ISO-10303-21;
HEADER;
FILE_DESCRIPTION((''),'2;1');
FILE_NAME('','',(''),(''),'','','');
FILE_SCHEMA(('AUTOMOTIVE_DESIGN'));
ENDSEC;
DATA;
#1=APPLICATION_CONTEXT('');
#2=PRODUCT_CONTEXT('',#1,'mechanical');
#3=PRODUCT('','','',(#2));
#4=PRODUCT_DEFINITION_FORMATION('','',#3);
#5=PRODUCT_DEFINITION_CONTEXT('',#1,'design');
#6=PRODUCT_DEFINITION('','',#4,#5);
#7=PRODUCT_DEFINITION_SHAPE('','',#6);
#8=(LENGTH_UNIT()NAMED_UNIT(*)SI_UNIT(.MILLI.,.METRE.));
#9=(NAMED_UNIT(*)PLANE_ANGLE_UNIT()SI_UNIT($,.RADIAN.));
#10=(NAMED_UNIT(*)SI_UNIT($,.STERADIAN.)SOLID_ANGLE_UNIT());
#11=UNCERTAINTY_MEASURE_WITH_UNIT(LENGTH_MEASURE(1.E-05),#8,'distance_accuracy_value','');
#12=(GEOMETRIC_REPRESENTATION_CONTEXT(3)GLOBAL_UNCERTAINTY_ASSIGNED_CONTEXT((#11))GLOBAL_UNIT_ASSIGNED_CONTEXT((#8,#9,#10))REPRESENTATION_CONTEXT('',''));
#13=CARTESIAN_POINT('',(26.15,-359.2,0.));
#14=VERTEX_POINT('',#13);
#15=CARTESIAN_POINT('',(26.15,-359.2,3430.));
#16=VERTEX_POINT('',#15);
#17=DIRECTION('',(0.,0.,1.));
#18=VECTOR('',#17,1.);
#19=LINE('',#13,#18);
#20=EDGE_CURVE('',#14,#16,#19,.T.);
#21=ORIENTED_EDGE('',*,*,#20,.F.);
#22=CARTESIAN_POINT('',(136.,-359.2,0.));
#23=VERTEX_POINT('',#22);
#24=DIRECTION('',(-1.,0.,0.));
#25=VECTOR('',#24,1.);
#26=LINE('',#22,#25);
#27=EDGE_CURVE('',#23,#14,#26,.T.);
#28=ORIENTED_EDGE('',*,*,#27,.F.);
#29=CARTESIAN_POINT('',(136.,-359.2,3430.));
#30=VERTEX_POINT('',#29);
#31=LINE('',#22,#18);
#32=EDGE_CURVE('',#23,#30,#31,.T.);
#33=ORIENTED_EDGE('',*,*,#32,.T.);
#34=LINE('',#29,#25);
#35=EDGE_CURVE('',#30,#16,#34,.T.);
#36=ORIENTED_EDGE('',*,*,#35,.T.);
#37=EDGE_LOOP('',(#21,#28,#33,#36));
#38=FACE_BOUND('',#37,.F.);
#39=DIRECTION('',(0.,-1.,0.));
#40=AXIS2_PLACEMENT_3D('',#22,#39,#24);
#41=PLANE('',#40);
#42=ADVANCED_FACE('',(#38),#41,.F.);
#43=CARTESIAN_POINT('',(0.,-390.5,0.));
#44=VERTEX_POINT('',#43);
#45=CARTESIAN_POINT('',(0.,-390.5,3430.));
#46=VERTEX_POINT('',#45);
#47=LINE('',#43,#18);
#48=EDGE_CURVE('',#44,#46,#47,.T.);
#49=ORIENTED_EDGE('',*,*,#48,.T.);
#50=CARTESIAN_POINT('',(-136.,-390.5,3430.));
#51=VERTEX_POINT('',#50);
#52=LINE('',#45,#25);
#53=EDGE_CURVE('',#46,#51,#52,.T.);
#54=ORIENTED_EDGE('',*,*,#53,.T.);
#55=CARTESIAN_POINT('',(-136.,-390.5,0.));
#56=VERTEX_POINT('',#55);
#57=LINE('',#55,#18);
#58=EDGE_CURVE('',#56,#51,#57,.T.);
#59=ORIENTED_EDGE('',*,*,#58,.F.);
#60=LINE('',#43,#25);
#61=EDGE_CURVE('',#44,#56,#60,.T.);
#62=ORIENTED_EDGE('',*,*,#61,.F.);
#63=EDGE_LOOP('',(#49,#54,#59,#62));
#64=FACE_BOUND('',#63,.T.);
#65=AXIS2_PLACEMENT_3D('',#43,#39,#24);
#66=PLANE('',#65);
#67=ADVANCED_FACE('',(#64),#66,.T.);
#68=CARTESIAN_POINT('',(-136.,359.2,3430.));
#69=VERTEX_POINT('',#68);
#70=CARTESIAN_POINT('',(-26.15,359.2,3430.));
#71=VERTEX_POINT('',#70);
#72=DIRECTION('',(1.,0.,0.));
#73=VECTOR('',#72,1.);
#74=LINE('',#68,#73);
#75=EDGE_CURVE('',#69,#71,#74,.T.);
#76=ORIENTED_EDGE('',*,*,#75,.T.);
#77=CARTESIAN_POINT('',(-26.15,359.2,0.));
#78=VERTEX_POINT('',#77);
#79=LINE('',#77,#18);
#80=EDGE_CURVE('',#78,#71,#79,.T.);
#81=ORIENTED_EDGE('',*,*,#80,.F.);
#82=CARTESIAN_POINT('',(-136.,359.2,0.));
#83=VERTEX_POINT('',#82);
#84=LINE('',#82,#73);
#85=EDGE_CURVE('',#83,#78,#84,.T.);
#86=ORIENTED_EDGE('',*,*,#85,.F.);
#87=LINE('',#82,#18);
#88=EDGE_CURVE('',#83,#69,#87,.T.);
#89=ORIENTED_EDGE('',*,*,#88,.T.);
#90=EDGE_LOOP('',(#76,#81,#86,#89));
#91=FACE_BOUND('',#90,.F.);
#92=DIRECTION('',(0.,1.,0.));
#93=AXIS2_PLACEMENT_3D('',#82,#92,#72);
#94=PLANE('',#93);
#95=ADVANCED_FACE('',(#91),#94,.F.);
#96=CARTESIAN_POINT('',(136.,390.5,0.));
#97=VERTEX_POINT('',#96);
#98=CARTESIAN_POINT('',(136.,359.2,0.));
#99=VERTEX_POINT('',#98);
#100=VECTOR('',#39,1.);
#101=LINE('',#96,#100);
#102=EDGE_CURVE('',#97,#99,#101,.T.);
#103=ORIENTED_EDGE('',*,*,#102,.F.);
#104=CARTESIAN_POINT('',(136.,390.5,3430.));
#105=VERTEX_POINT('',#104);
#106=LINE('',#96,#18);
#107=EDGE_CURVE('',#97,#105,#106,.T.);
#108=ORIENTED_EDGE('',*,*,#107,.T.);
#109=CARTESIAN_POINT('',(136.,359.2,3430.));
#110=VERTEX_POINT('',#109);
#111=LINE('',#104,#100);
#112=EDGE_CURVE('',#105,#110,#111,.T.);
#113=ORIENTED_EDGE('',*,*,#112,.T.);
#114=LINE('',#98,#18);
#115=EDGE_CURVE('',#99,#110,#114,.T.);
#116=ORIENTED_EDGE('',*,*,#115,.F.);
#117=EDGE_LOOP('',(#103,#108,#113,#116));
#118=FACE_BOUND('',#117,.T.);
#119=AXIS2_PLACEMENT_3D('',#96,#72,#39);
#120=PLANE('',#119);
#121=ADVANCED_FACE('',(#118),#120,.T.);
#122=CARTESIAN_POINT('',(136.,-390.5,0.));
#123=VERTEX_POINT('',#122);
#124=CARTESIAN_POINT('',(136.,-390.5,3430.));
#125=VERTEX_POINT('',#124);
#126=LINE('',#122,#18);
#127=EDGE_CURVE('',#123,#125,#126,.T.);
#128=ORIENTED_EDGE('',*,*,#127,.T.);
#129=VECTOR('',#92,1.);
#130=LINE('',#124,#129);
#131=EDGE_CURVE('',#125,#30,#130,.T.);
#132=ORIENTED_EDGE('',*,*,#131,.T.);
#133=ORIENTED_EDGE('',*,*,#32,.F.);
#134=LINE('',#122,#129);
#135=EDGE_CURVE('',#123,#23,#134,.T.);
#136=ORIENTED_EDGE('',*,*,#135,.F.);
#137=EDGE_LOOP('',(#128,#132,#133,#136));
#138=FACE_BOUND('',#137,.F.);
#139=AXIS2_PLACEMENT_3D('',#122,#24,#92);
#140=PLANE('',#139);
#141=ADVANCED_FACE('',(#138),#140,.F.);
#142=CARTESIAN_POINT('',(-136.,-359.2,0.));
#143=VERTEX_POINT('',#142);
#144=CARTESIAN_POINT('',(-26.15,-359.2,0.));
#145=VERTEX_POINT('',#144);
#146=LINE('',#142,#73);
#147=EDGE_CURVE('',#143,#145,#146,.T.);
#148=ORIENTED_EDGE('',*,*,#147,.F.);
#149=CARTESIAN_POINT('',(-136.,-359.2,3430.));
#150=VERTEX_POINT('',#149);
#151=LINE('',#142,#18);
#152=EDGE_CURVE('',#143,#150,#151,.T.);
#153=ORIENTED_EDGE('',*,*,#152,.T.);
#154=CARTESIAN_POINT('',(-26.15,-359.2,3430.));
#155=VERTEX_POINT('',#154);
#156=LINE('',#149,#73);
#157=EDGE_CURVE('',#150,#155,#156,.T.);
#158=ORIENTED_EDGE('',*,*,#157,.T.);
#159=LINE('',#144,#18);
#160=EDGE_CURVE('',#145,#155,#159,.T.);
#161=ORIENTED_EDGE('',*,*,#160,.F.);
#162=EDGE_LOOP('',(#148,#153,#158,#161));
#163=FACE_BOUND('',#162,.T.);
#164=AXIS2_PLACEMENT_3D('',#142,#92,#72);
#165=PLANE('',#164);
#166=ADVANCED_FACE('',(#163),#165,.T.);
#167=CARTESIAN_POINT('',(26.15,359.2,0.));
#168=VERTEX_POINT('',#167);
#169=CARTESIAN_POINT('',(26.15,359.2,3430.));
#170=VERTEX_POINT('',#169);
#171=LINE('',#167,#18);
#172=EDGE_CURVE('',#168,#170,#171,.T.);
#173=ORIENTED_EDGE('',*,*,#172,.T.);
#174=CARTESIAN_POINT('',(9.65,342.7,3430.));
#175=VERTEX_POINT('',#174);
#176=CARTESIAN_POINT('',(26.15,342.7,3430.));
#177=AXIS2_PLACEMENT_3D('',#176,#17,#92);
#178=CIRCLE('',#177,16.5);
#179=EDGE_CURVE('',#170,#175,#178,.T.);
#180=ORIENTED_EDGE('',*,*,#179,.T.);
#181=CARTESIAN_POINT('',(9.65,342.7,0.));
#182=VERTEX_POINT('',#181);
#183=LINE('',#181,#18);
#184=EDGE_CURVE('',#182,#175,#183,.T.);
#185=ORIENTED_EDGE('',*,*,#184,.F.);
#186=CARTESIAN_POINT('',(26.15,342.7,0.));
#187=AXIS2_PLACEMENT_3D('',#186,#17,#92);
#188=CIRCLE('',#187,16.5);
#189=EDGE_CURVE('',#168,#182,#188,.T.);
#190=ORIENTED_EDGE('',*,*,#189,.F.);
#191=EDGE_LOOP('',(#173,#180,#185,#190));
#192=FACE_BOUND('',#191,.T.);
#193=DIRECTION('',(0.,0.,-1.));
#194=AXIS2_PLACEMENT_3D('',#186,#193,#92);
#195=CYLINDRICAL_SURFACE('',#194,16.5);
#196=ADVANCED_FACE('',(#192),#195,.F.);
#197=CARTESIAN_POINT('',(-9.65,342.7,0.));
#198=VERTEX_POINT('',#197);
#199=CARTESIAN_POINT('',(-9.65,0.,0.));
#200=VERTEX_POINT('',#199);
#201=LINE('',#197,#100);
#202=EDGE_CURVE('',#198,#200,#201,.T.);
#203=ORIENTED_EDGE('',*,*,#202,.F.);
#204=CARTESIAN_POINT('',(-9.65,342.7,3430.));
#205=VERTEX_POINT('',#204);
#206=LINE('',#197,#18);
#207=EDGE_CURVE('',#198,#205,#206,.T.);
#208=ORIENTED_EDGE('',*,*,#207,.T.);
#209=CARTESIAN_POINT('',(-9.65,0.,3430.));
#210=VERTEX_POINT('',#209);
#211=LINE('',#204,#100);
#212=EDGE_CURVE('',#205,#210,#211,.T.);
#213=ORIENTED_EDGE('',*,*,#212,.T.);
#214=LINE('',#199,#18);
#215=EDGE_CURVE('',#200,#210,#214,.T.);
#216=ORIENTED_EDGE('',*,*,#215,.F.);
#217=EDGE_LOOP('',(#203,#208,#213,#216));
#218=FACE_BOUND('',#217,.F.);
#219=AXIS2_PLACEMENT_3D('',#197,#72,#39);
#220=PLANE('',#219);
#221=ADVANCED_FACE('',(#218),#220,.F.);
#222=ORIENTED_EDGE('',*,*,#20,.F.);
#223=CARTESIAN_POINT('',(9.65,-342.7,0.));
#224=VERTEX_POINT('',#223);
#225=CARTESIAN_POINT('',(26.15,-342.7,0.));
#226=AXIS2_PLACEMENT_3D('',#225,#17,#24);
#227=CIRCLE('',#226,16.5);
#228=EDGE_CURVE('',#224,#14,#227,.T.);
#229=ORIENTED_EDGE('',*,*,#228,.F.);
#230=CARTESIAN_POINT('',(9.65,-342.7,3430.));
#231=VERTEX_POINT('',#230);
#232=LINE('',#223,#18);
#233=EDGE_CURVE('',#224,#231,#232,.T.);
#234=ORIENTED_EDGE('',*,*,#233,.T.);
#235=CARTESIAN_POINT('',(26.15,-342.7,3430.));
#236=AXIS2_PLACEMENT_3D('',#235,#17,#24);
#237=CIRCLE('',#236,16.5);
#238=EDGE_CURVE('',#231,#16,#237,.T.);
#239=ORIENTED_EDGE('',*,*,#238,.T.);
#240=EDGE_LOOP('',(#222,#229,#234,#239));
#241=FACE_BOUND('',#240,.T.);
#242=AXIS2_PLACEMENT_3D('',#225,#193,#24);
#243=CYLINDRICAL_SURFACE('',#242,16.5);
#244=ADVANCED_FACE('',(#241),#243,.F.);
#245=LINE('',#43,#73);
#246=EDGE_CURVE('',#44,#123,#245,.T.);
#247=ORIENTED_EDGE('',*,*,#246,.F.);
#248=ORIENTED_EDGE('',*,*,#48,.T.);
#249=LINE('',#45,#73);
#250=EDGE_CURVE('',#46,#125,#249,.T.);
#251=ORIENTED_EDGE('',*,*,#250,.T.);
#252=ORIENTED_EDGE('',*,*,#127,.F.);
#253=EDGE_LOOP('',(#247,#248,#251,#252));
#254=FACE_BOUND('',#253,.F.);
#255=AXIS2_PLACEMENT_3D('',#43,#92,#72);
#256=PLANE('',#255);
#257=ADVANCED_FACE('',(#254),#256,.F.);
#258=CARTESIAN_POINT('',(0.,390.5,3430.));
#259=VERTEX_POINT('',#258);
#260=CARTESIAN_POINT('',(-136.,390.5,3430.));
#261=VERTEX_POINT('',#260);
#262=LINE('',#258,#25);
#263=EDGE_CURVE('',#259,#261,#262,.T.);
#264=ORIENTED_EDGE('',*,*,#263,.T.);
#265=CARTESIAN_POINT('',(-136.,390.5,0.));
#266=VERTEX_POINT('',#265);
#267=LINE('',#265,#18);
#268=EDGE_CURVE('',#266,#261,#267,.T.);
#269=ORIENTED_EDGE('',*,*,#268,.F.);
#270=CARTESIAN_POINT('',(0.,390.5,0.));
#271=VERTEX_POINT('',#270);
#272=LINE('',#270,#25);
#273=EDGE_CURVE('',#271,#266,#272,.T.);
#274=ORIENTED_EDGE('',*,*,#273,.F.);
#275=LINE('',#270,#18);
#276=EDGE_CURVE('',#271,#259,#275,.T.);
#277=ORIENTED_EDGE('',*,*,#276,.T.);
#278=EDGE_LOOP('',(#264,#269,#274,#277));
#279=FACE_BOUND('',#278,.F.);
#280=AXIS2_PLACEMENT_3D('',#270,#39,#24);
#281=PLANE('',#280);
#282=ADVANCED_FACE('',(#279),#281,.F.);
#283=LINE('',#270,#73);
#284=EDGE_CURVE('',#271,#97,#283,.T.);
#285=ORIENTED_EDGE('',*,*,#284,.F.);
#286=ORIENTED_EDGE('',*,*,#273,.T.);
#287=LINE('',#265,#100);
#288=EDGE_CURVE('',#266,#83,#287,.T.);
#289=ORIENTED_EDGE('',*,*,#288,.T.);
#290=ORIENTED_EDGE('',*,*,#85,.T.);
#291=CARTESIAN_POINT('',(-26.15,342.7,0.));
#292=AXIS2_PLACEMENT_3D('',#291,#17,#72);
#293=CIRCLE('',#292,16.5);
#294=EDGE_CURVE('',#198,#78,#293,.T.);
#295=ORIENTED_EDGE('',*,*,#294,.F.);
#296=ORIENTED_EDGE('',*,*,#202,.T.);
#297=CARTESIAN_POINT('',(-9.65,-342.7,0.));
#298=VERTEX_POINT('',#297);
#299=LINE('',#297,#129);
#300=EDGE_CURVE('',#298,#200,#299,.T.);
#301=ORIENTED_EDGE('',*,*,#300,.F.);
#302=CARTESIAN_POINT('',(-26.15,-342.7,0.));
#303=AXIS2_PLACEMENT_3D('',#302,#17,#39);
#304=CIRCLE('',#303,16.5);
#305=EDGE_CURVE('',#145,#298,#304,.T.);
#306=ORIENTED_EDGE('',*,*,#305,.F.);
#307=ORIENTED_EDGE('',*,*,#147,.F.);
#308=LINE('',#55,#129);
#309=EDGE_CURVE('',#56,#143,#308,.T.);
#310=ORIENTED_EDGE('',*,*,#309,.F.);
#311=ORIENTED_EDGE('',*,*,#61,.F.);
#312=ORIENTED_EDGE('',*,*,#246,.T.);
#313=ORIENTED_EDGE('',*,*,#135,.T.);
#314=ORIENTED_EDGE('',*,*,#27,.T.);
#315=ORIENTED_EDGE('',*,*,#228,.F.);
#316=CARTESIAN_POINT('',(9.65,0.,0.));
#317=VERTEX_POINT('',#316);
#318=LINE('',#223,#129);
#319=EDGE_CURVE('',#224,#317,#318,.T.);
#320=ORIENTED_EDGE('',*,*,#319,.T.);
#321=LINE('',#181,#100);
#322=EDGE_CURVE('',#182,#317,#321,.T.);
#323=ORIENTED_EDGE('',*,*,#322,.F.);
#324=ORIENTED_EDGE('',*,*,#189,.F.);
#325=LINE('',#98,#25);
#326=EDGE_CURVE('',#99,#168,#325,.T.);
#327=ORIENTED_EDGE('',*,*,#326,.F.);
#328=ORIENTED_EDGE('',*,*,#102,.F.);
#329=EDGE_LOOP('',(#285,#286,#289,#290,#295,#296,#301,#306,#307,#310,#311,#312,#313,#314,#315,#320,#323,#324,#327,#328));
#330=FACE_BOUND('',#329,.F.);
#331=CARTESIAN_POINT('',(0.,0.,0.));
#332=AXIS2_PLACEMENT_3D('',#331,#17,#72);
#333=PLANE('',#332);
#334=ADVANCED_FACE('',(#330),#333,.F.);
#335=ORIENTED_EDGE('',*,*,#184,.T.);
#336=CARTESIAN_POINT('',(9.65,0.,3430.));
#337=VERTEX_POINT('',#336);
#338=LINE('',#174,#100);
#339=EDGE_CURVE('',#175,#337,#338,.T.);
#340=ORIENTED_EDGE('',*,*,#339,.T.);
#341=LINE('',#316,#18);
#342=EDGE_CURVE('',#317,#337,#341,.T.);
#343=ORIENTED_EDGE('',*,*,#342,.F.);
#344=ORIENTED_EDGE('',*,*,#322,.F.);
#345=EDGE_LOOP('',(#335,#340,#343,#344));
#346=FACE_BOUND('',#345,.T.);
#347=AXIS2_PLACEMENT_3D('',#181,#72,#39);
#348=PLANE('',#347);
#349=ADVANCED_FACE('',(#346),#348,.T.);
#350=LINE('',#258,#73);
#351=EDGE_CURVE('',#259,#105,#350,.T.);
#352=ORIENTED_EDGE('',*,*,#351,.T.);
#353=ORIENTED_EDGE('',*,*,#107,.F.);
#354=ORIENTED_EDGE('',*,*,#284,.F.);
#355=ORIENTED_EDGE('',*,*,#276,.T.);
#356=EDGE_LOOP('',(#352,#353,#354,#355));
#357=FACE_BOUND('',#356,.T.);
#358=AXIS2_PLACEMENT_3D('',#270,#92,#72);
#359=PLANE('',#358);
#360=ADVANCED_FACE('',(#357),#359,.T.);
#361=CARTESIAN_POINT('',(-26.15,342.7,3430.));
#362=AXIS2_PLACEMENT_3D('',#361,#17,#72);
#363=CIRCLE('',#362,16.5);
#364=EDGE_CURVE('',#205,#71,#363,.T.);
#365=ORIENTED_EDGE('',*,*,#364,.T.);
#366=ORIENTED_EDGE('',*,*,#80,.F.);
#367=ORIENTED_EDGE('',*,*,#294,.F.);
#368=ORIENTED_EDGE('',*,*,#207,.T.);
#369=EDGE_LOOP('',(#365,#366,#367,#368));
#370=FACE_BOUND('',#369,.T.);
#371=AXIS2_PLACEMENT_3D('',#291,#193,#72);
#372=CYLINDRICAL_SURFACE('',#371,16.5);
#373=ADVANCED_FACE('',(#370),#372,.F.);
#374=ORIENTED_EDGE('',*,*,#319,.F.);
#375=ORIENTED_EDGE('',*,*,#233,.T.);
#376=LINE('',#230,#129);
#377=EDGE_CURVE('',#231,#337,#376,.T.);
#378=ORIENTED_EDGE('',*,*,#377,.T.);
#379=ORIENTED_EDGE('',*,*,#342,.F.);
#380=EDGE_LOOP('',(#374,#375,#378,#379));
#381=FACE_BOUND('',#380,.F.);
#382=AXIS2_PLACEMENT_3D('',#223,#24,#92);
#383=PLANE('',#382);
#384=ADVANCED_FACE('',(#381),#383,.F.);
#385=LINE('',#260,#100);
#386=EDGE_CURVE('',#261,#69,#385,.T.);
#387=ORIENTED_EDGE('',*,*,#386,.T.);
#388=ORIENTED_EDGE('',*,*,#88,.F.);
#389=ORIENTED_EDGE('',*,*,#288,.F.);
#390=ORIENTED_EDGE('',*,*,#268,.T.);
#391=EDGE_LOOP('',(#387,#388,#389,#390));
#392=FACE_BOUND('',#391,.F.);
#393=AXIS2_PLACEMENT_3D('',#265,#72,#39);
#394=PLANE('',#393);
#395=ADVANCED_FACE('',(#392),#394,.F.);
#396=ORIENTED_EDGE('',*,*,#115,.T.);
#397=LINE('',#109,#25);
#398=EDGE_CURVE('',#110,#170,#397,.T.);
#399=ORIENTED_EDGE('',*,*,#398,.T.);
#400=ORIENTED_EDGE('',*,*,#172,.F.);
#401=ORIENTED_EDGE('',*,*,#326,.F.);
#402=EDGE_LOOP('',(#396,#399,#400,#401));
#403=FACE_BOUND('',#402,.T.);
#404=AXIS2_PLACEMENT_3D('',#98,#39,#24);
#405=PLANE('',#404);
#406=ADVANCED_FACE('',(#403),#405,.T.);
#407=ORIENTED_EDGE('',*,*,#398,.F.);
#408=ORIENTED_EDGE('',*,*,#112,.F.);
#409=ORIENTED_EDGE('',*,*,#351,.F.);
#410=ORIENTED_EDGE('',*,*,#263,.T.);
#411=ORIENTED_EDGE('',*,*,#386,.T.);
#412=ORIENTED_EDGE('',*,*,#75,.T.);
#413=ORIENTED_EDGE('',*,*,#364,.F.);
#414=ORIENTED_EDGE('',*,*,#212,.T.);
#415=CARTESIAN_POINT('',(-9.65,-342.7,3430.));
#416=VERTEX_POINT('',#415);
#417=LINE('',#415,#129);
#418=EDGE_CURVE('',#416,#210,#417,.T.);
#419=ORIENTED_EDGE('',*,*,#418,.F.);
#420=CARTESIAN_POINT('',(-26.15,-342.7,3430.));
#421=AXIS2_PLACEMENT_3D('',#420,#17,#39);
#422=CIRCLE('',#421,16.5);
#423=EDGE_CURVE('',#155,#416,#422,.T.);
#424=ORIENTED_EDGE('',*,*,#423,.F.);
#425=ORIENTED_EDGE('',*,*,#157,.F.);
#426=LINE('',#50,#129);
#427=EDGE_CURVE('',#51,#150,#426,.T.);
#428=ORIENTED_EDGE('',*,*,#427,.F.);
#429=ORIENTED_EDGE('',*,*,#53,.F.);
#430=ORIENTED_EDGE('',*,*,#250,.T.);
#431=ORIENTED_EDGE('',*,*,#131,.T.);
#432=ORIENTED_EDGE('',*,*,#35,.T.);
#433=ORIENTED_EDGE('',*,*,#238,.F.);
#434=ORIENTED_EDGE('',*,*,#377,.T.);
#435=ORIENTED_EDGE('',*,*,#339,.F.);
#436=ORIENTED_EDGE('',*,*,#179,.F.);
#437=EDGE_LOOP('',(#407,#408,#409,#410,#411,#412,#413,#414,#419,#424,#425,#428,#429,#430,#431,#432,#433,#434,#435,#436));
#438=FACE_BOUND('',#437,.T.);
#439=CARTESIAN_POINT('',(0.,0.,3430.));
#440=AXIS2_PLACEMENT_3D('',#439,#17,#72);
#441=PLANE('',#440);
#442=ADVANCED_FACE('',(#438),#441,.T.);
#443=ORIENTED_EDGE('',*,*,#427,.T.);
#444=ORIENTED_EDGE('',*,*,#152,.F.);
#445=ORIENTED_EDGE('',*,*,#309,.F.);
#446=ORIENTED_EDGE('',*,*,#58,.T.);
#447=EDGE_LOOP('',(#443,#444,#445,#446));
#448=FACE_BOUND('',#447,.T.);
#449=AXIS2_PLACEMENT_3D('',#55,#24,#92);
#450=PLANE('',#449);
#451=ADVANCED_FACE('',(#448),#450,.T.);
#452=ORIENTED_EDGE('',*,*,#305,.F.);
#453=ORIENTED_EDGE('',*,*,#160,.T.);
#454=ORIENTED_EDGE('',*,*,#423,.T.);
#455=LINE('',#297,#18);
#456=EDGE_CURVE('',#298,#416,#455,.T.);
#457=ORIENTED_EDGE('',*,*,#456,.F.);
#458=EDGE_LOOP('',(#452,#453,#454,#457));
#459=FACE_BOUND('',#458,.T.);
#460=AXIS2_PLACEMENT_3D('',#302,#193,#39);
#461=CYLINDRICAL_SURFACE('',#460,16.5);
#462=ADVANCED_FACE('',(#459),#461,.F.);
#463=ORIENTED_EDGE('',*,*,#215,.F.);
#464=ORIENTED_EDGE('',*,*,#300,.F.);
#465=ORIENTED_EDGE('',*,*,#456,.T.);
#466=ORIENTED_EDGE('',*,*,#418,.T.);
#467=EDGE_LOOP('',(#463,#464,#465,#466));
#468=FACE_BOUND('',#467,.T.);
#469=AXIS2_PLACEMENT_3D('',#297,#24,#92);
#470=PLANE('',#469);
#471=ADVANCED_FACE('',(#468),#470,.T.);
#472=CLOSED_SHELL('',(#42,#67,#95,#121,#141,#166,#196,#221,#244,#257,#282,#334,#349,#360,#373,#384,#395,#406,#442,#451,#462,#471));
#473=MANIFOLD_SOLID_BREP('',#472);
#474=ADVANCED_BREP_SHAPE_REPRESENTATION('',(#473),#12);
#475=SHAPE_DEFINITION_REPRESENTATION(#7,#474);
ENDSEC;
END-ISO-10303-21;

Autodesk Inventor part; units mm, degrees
ref_plane "YZ Plane" through (0, 0, 0) normal (1, 0, 0) x (0, 1, 0)
ref_plane "Start plane" through (0, 0, 0) normal (0, 0, 1) x (1, 0, 0)
ref_plane "End plane" through (0, 0, 3430) normal (0, 0, 1) x (1, 0, 0)
sketch "Sketch" plane through (0, 0, 0) normal (0, 0, 1) x (1, 0, 0)
  line L0 (-136, -390.5) -> (-136, -359.2)
  line L1 (-136, -359.2) -> (-26.15, -359.2)
  line L2 (-9.65, -342.7) -> (-9.65, 0)
  line L3 (-9.65, 0) -> (0, 0) construction
  line L4 (0, 0) -> (0, -390.5) construction
  line L5 (0, -390.5) -> (-136, -390.5)
  line L6 (-60, 0) -> (80, 0) construction
  line L7 (0, -60) -> (0, 80) construction
  line L8 (136, -390.5) -> (136, -359.2)
  line L9 (136, -359.2) -> (26.15, -359.2)
  line L10 (9.65, -342.7) -> (9.65, 0)
  line L11 (9.65, 0) -> (0, 0) construction
  line L12 (0, -390.5) -> (136, -390.5)
  line L13 (-136, 390.5) -> (-136, 359.2)
  line L14 (-136, 359.2) -> (-26.15, 359.2)
  line L15 (-9.65, 342.7) -> (-9.65, 0)
  line L16 (0, 390.5) -> (-136, 390.5)
  line L17 (136, 390.5) -> (136, 359.2)
  line L18 (136, 359.2) -> (26.15, 359.2)
  line L19 (0, 390.5) -> (136, 390.5)
  line L20 (9.65, 342.7) -> (9.65, 0)
  arc A0 (-9.65, 342.7) -> (-26.15, 359.2) centre (-26.15, 342.7) ccw
  arc A1 (26.15, 359.2) -> (9.65, 342.7) centre (26.15, 342.7) ccw
  arc A2 (9.65, -342.7) -> (26.15, -359.2) centre (26.15, -342.7) ccw
  arc A3 (-26.15, -359.2) -> (-9.65, -342.7) centre (-26.15, -342.7) ccw
  line L21 (0, 108) -> (0, -88) construction
  line L22 (-88, 0) -> (108, 0) construction
  point P0 (-9.65, -359.2)
  point P1 (9.65, -359.2)
  point P2 (-9.65, 359.2)
  point P3 (9.65, 359.2)
  dimension "d1" = 390.5
  dimension "d2" = 31.3
  dimension "d3" = 136
  dimension "d4" = 9.65
  dimension "d10" = 16.5
extrude "Body" add sketch "Sketch" along normal up to surface (3430 mm away) from surface at 0
sketch "Sketch4" plane through (0, 0, 0) normal (0, 0, 1) x (1, 0, 0)
  line L0 (0, 0) -> (10, 0)
ref_plane "Work Plane3" through (0, 0, 0) normal (0, -1, 0) x (1, 0, 0)
sketch "Sketch5" plane through (0, 0, 0) normal (0, -1, 0) x (1, 0, 0)
  line L0 (-2, 0) -> (12, 0) projected
  line L1 (-2, 3430) -> (12, 3430) projected
  dimension "d14" = 3430
equation "\"d1\" = 0.5 * G_H"
equation "\"d2\" = G_T1"
equation "\"d3\" = 0.5 * G_W"
equation "\"d4\" = 0.5 * G_T"
equation "\"d10\" = G_IR"
equation "\"d5\" = G_L"
equation "\"G_W\" = 272"
equation "\"G_H\" = 781"
equation "\"G_T\" = 19.3"
equation "\"G_T1\" = 31.3"
equation "\"G_IR\" = 16.5"
equation "\"G_L\" = d14"
equation "\"G_OFFSET_START\" = 0"
equation "\"G_OFFSET_END\" = 0"
properties part number "AS 3679-1990 - 760 UB - 244 - 3430" material "Steel, Mild"
